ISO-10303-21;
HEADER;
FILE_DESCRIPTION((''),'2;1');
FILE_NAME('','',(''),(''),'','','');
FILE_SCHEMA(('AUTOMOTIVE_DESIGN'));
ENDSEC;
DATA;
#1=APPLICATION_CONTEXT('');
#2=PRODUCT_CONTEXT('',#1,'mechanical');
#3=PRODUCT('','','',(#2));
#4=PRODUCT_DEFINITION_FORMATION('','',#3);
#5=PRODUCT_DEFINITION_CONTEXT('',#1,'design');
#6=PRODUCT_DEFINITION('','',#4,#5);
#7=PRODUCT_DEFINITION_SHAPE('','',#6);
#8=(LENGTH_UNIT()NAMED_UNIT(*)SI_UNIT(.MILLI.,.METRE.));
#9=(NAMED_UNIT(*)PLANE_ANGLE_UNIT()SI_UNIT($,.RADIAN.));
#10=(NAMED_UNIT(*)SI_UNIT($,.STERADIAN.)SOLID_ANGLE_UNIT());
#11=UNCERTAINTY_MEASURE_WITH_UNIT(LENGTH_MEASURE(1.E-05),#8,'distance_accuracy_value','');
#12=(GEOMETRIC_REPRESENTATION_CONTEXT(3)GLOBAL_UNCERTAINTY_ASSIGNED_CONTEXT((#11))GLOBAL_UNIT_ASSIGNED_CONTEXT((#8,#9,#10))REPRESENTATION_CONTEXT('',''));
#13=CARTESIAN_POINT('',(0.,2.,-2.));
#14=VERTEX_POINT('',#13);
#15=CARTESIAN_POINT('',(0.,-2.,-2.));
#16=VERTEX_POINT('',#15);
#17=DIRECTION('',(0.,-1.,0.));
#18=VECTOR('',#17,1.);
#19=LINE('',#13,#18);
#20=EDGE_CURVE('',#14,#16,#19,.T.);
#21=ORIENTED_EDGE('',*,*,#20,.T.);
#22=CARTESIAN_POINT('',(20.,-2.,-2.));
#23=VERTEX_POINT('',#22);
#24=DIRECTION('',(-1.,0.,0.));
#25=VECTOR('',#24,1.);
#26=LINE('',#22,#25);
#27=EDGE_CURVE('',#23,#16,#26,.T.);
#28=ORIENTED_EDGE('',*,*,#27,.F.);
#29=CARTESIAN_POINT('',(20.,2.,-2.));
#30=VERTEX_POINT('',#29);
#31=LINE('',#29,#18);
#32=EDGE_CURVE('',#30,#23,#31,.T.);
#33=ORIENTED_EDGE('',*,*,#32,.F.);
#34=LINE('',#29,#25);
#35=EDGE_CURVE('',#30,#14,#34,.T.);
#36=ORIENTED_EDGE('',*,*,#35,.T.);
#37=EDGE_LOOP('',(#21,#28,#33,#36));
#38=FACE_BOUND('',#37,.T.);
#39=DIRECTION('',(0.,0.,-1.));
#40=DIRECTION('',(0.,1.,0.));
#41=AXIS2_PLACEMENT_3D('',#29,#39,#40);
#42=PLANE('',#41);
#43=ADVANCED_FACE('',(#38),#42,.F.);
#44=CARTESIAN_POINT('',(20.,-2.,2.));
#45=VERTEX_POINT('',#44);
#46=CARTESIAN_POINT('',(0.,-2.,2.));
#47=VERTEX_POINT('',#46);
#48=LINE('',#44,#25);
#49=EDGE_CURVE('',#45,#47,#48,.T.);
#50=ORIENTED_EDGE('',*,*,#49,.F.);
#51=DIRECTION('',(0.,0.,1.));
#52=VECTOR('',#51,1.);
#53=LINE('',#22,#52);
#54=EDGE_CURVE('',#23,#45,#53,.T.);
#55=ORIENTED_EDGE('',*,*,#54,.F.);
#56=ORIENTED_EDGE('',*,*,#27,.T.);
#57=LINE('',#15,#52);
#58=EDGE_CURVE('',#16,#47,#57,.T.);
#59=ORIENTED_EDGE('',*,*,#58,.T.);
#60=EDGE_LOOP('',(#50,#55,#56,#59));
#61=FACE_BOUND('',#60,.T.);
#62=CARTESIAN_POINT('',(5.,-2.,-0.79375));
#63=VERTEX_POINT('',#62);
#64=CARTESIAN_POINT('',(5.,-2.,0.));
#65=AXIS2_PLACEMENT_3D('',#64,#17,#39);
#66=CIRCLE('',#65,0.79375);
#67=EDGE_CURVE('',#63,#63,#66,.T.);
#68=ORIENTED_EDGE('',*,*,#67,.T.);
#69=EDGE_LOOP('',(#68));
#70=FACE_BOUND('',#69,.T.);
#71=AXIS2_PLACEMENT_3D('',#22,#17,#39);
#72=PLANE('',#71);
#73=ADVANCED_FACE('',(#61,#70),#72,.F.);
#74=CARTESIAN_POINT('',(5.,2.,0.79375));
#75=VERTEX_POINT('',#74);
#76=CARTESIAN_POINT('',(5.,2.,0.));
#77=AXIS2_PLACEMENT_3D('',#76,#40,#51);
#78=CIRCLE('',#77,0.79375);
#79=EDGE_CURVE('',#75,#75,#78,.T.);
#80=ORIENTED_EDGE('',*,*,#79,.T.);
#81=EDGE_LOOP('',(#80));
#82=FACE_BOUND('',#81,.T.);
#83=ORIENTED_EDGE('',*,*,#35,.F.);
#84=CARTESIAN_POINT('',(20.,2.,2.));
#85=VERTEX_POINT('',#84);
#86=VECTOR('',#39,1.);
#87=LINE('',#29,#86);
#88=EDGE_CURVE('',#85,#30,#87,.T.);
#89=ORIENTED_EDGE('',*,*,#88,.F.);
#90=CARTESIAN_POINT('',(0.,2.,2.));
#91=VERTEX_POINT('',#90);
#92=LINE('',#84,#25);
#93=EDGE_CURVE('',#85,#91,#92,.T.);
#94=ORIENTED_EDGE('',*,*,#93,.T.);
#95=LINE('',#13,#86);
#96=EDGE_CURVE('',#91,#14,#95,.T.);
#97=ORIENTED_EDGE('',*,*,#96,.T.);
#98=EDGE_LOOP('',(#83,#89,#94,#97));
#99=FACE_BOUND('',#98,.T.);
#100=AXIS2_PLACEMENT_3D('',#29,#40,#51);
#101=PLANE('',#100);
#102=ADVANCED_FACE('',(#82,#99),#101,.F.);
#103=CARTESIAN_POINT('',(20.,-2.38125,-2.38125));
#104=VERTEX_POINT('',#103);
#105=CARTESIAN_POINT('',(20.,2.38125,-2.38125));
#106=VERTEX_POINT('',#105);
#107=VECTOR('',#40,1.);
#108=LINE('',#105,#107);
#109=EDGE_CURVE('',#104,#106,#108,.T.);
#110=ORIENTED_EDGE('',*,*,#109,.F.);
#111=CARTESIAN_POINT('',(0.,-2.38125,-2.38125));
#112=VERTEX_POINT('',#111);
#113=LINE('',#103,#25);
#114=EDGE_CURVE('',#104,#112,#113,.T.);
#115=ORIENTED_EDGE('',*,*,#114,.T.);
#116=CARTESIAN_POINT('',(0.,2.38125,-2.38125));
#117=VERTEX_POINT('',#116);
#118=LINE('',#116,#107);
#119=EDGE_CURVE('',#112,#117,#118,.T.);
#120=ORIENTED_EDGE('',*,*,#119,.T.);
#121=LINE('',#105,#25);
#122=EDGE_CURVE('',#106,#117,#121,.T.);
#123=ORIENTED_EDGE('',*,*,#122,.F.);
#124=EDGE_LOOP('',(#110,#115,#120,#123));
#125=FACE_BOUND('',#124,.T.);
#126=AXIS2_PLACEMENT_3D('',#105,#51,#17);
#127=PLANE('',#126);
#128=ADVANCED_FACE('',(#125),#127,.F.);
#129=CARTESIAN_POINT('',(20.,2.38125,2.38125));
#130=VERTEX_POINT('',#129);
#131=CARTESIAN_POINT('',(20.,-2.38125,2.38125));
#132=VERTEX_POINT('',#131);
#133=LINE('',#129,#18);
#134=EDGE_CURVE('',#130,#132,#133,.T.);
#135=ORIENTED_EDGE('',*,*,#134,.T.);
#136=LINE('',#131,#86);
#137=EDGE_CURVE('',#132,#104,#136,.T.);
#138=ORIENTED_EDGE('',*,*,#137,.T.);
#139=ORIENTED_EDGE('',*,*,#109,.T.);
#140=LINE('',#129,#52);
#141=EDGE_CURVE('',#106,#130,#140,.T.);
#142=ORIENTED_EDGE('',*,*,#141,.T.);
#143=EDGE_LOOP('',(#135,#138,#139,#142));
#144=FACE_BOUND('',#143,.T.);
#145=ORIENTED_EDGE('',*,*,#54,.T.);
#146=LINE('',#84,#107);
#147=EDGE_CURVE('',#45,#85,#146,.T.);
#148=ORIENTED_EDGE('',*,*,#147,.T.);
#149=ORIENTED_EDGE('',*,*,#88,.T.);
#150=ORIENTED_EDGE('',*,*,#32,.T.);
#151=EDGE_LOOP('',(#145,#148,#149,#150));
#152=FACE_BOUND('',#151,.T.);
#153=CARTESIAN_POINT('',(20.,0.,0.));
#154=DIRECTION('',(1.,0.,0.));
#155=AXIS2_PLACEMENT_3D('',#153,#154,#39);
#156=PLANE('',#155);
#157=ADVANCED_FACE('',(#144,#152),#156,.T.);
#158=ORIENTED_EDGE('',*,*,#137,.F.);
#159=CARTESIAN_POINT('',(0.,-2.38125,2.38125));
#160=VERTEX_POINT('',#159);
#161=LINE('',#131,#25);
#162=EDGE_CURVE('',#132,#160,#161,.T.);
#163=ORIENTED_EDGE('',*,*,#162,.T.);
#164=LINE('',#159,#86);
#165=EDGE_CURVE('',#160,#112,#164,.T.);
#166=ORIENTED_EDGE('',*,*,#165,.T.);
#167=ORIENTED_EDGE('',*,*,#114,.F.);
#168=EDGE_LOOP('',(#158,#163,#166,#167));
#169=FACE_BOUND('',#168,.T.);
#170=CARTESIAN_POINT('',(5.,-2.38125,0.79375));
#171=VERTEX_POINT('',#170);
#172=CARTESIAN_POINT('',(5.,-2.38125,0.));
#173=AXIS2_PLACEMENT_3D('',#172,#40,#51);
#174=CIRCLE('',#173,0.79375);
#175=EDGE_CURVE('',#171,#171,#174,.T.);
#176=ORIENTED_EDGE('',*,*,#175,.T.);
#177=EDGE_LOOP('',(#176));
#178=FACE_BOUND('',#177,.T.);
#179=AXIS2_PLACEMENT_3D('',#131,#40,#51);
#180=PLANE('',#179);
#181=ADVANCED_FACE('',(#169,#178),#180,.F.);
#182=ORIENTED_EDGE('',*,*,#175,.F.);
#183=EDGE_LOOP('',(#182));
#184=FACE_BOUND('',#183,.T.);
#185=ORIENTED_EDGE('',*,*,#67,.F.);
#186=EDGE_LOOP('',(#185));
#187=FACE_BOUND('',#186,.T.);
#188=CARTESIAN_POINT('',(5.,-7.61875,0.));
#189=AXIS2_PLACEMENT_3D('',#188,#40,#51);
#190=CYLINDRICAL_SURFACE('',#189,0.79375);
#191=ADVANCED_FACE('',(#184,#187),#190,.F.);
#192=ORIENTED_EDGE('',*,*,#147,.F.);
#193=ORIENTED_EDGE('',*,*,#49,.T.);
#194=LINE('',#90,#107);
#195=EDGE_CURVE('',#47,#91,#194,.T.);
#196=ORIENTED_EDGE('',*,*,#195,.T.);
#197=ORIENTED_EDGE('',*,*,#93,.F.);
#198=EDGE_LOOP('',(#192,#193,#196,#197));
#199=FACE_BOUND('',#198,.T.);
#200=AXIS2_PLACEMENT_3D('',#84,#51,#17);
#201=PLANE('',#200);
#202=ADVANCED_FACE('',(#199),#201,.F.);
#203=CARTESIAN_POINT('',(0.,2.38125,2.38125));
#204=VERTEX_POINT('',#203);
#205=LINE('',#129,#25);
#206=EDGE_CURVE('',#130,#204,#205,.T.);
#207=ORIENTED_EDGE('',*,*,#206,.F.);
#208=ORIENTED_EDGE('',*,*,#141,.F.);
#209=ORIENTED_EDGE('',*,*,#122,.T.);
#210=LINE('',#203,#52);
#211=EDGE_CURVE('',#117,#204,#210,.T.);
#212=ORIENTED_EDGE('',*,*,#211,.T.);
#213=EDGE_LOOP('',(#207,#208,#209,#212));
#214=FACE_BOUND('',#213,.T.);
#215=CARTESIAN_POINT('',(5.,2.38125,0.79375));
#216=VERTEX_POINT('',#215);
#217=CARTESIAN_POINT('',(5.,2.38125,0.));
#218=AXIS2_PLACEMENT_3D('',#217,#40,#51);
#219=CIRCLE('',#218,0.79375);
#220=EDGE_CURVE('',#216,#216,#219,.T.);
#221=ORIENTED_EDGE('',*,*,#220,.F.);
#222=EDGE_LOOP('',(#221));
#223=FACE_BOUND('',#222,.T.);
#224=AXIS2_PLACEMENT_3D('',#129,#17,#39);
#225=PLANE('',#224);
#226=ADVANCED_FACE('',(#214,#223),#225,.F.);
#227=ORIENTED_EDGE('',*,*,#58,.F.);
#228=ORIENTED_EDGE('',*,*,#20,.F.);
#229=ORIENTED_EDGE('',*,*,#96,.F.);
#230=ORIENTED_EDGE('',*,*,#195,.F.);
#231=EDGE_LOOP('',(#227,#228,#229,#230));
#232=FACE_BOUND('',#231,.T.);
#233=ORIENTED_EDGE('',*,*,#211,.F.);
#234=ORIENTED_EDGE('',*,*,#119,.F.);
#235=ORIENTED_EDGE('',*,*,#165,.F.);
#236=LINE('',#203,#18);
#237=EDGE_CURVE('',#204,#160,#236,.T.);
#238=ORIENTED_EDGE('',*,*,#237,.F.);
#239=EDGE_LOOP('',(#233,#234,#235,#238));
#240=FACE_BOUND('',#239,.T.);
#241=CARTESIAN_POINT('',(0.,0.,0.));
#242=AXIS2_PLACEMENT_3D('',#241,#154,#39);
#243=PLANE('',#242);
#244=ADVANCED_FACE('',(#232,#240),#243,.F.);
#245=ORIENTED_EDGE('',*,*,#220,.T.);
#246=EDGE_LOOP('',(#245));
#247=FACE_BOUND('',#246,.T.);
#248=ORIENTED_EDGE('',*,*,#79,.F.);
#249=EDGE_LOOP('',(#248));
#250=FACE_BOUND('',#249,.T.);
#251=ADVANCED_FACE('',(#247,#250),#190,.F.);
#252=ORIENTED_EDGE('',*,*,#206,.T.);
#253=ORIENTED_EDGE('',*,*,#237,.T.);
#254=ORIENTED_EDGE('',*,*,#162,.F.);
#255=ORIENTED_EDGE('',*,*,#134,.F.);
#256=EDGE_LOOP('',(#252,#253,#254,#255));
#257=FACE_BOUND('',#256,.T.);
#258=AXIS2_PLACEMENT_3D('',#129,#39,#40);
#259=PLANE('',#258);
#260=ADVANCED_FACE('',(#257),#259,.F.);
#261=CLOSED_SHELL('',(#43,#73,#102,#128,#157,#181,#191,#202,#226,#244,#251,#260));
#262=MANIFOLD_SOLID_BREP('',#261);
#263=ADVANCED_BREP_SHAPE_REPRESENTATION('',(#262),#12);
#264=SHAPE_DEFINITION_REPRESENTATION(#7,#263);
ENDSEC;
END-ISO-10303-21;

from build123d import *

# Parameters (mm, degrees)
SKETCH1_W           = 4.7625
SKETCH1_H           = 4.7625
BOSS_EXTRUDE1_DEPTH = 20
SKETCH2_W           = 4
SKETCH2_H           = 4
CUT_EXTRUDE1_DEPTH  = 21.281536015
SKETCH3_R           = 0.79375
CUT_EXTRUDE2_DEPTH  = 10


with BuildPart() as part:
    # Sketch1 → Boss-Extrude1 (new body)
    with BuildSketch(Plane(origin=(0, 0, 0), x_dir=(0, 0, -1), z_dir=(1, 0, 0))):
        Rectangle(SKETCH1_W, SKETCH1_H)
    extrude(amount=BOSS_EXTRUDE1_DEPTH)

    # Sketch2 → Cut-Extrude1 (cut, through all)
    with BuildSketch(Plane.ZY):
        Rectangle(SKETCH2_W, SKETCH2_H)
    extrude(amount=-CUT_EXTRUDE1_DEPTH, mode=Mode.SUBTRACT)

    # Sketch3 → Cut-Extrude2 (cut)
    with BuildSketch(Plane(origin=(0, 2.38125, 0), x_dir=(1, 0, 0), z_dir=(0, 1, 0))):
        with Locations(Location((5, 0, 0), (0, 0, 270))):
            Circle(SKETCH3_R)
    extrude(amount=-CUT_EXTRUDE2_DEPTH, mode=Mode.SUBTRACT)


solid = part.part
